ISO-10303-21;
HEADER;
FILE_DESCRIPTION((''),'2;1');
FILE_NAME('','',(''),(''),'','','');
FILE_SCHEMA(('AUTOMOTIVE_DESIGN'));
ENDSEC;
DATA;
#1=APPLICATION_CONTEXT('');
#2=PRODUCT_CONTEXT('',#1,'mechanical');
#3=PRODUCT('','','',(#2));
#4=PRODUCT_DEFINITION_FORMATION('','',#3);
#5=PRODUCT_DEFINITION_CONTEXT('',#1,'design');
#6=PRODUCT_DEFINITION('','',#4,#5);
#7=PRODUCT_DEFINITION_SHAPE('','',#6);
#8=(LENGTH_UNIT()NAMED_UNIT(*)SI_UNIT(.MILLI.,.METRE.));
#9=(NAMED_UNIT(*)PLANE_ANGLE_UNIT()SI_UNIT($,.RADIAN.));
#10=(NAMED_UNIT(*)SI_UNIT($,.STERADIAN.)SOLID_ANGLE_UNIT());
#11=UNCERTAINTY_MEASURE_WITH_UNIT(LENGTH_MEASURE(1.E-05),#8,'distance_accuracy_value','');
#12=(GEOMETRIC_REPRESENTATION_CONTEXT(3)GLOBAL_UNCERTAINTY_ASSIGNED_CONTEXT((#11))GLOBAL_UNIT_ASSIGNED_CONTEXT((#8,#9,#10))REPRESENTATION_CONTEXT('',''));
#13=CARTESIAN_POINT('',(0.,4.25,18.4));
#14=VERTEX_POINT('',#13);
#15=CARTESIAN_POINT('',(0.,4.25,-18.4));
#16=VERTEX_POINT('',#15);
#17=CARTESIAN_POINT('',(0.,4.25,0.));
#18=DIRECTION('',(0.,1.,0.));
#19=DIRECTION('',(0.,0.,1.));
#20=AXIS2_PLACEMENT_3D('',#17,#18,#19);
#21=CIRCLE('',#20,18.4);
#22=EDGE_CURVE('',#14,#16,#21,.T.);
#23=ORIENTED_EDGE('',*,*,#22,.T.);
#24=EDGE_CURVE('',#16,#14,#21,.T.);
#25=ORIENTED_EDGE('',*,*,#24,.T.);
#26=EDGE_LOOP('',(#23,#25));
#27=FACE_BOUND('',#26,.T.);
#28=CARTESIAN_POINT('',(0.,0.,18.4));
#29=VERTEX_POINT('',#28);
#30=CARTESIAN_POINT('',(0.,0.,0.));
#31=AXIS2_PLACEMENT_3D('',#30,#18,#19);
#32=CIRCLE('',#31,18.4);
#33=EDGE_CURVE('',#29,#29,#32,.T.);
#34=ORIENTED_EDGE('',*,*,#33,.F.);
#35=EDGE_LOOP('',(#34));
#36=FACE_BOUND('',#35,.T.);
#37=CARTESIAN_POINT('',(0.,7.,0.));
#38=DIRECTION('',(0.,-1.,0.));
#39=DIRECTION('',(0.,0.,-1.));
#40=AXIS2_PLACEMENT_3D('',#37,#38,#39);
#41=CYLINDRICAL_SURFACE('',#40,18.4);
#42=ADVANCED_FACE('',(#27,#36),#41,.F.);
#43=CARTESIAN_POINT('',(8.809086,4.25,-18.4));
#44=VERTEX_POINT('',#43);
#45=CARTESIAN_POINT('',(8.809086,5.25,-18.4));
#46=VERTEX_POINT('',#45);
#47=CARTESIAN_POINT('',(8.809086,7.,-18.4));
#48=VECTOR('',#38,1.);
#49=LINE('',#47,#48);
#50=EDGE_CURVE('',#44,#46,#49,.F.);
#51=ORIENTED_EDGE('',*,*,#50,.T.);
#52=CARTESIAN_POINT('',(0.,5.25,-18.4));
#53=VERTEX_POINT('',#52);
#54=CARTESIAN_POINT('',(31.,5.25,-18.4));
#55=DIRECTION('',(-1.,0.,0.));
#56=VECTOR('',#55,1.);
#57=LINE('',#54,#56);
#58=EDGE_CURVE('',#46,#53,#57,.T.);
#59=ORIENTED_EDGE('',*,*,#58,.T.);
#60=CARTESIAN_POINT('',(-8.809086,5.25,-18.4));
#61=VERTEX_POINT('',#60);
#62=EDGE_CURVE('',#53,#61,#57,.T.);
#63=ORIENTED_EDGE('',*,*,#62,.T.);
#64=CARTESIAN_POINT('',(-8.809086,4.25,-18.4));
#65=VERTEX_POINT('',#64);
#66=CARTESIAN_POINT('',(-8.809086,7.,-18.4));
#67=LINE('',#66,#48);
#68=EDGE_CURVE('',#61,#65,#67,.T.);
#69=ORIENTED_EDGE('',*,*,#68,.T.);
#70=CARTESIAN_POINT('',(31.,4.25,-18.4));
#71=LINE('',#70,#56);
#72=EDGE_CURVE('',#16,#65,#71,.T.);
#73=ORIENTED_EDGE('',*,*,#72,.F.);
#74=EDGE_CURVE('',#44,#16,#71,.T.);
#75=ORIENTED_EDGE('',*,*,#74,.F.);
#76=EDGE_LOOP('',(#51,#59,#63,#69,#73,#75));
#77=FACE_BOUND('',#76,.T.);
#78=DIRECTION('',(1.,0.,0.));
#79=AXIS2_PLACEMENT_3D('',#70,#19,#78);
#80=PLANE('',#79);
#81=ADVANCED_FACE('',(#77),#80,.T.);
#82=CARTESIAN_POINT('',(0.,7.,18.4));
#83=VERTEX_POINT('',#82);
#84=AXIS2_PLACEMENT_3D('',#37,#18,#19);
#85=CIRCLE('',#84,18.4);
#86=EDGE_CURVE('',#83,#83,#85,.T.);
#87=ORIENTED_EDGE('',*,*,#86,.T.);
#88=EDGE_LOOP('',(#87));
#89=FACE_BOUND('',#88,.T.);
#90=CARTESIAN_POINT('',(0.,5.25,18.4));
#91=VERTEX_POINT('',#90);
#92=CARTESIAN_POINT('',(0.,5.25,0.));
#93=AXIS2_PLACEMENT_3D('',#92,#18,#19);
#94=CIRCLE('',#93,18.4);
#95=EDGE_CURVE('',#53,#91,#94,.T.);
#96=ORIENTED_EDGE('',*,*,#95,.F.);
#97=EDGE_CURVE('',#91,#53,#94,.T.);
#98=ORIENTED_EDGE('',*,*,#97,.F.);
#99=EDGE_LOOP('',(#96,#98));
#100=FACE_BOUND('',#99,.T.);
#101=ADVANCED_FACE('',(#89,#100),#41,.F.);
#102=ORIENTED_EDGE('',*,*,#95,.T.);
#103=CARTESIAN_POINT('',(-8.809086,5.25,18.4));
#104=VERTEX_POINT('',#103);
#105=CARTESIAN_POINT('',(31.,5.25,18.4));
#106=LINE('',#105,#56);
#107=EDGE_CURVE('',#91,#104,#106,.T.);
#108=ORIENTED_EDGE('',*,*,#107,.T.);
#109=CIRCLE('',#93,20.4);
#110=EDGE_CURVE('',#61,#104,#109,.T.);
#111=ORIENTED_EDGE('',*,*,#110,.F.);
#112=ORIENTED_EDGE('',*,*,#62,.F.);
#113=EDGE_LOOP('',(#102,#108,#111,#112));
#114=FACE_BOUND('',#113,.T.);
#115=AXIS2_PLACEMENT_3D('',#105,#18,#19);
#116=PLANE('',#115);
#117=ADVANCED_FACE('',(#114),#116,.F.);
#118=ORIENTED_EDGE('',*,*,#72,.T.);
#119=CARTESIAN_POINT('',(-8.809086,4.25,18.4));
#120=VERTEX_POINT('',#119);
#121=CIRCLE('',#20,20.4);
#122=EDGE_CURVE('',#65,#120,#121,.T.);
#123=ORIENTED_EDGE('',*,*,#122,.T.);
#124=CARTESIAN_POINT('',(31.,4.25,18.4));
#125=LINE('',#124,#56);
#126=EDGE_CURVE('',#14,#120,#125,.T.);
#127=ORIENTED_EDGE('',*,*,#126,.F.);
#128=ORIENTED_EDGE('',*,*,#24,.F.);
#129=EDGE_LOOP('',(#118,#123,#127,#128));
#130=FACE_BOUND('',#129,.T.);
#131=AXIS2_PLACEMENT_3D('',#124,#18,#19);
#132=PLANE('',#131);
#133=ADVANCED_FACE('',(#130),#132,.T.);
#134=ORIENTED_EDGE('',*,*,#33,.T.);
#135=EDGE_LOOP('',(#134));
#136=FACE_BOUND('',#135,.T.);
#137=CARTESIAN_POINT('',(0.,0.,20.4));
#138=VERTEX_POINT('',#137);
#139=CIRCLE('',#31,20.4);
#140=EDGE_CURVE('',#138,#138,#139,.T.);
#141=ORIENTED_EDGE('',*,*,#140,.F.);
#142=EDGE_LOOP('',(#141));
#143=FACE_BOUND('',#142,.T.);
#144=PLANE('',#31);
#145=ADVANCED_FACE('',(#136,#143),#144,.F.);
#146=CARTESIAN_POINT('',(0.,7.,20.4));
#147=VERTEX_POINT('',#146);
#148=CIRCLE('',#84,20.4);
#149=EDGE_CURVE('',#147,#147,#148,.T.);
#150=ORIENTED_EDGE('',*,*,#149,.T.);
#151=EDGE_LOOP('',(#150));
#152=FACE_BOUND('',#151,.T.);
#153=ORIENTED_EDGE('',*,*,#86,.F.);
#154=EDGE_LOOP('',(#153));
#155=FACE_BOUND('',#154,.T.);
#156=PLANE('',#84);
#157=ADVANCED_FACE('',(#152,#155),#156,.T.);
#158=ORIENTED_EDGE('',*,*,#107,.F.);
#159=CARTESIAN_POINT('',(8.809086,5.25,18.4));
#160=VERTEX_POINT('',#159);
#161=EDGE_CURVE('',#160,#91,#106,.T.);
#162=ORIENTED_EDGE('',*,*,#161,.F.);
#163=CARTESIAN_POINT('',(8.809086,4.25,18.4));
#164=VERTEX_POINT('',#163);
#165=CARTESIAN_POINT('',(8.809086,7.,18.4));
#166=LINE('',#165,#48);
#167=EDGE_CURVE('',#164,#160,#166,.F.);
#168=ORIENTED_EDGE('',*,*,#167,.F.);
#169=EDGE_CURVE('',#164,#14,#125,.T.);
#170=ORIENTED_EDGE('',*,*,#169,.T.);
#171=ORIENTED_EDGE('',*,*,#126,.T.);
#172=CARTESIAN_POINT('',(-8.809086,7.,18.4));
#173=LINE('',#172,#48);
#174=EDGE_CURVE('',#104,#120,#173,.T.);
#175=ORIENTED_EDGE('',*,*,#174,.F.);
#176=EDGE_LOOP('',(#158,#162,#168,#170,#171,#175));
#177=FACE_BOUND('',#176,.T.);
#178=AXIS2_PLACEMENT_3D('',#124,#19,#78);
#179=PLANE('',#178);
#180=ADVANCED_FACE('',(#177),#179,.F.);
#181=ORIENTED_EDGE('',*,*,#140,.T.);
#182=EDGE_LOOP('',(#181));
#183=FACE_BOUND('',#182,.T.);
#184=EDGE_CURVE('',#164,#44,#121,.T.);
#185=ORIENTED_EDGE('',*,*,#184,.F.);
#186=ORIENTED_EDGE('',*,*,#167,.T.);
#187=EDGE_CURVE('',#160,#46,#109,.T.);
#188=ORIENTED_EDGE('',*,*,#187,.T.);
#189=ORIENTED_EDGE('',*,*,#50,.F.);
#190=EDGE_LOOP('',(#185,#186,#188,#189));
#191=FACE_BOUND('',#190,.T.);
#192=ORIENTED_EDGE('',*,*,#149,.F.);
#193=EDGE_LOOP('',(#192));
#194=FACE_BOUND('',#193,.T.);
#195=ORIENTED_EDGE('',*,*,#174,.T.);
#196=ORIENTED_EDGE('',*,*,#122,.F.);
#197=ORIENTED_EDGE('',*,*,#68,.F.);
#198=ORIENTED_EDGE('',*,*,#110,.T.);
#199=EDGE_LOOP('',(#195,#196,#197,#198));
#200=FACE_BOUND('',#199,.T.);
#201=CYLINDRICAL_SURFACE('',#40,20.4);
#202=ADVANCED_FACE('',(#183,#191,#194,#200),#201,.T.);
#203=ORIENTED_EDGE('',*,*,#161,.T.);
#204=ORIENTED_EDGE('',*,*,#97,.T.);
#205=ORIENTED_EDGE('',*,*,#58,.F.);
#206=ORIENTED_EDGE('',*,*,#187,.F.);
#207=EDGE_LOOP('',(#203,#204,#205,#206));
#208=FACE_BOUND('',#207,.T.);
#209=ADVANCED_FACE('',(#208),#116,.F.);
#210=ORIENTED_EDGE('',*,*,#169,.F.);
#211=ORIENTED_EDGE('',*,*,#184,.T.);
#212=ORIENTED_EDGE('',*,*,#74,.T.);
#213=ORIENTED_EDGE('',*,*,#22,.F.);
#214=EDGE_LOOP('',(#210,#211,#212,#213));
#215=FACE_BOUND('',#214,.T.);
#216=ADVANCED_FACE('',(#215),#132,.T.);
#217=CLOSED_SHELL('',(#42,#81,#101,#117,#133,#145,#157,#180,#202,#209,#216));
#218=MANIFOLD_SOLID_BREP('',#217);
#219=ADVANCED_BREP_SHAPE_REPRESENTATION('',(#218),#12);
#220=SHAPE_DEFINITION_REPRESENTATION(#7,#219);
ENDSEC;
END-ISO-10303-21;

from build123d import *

# Parameters (mm, degrees)
SKETCH1_R               = 20.4
SKETCH1_R_2             = 18.4
BOSS_EXTRUDE1_DEPTH     = 7
CUT_EXTRUDE1_DEPTH      = 31
CUT_EXTRUDE1_DEPTH_BACK = 29
SKETCH5_W               = 36.8
SKETCH5_H               = 1


with BuildPart() as part:
    # Sketch1 → Boss-Extrude1 (new body)
    with BuildSketch(Plane(origin=(0, 0, 0), x_dir=(1, 0, 0), z_dir=(0, 1, 0))):
        with Locations(Location((0, 0, 0), (0, 0, 270))):
            Circle(SKETCH1_R)
        with Locations(Location((0, 0, 0), (0, 0, 270))):
            Circle(SKETCH1_R_2, mode=Mode.SUBTRACT)
    extrude(amount=BOSS_EXTRUDE1_DEPTH)

    # Sketch5 → Cut-Extrude1 (cut, two sides: drawn at the far end of the back side and taken through both)
    with BuildSketch(Plane(origin=(0, 0, 0), x_dir=(0, 0, -1), z_dir=(1, 0, 0)).offset(-CUT_EXTRUDE1_DEPTH_BACK)):
        with Locations((0, 4.75)):
            Rectangle(SKETCH5_W, SKETCH5_H)
    extrude(amount=CUT_EXTRUDE1_DEPTH + CUT_EXTRUDE1_DEPTH_BACK, mode=Mode.SUBTRACT)


solid = part.part
